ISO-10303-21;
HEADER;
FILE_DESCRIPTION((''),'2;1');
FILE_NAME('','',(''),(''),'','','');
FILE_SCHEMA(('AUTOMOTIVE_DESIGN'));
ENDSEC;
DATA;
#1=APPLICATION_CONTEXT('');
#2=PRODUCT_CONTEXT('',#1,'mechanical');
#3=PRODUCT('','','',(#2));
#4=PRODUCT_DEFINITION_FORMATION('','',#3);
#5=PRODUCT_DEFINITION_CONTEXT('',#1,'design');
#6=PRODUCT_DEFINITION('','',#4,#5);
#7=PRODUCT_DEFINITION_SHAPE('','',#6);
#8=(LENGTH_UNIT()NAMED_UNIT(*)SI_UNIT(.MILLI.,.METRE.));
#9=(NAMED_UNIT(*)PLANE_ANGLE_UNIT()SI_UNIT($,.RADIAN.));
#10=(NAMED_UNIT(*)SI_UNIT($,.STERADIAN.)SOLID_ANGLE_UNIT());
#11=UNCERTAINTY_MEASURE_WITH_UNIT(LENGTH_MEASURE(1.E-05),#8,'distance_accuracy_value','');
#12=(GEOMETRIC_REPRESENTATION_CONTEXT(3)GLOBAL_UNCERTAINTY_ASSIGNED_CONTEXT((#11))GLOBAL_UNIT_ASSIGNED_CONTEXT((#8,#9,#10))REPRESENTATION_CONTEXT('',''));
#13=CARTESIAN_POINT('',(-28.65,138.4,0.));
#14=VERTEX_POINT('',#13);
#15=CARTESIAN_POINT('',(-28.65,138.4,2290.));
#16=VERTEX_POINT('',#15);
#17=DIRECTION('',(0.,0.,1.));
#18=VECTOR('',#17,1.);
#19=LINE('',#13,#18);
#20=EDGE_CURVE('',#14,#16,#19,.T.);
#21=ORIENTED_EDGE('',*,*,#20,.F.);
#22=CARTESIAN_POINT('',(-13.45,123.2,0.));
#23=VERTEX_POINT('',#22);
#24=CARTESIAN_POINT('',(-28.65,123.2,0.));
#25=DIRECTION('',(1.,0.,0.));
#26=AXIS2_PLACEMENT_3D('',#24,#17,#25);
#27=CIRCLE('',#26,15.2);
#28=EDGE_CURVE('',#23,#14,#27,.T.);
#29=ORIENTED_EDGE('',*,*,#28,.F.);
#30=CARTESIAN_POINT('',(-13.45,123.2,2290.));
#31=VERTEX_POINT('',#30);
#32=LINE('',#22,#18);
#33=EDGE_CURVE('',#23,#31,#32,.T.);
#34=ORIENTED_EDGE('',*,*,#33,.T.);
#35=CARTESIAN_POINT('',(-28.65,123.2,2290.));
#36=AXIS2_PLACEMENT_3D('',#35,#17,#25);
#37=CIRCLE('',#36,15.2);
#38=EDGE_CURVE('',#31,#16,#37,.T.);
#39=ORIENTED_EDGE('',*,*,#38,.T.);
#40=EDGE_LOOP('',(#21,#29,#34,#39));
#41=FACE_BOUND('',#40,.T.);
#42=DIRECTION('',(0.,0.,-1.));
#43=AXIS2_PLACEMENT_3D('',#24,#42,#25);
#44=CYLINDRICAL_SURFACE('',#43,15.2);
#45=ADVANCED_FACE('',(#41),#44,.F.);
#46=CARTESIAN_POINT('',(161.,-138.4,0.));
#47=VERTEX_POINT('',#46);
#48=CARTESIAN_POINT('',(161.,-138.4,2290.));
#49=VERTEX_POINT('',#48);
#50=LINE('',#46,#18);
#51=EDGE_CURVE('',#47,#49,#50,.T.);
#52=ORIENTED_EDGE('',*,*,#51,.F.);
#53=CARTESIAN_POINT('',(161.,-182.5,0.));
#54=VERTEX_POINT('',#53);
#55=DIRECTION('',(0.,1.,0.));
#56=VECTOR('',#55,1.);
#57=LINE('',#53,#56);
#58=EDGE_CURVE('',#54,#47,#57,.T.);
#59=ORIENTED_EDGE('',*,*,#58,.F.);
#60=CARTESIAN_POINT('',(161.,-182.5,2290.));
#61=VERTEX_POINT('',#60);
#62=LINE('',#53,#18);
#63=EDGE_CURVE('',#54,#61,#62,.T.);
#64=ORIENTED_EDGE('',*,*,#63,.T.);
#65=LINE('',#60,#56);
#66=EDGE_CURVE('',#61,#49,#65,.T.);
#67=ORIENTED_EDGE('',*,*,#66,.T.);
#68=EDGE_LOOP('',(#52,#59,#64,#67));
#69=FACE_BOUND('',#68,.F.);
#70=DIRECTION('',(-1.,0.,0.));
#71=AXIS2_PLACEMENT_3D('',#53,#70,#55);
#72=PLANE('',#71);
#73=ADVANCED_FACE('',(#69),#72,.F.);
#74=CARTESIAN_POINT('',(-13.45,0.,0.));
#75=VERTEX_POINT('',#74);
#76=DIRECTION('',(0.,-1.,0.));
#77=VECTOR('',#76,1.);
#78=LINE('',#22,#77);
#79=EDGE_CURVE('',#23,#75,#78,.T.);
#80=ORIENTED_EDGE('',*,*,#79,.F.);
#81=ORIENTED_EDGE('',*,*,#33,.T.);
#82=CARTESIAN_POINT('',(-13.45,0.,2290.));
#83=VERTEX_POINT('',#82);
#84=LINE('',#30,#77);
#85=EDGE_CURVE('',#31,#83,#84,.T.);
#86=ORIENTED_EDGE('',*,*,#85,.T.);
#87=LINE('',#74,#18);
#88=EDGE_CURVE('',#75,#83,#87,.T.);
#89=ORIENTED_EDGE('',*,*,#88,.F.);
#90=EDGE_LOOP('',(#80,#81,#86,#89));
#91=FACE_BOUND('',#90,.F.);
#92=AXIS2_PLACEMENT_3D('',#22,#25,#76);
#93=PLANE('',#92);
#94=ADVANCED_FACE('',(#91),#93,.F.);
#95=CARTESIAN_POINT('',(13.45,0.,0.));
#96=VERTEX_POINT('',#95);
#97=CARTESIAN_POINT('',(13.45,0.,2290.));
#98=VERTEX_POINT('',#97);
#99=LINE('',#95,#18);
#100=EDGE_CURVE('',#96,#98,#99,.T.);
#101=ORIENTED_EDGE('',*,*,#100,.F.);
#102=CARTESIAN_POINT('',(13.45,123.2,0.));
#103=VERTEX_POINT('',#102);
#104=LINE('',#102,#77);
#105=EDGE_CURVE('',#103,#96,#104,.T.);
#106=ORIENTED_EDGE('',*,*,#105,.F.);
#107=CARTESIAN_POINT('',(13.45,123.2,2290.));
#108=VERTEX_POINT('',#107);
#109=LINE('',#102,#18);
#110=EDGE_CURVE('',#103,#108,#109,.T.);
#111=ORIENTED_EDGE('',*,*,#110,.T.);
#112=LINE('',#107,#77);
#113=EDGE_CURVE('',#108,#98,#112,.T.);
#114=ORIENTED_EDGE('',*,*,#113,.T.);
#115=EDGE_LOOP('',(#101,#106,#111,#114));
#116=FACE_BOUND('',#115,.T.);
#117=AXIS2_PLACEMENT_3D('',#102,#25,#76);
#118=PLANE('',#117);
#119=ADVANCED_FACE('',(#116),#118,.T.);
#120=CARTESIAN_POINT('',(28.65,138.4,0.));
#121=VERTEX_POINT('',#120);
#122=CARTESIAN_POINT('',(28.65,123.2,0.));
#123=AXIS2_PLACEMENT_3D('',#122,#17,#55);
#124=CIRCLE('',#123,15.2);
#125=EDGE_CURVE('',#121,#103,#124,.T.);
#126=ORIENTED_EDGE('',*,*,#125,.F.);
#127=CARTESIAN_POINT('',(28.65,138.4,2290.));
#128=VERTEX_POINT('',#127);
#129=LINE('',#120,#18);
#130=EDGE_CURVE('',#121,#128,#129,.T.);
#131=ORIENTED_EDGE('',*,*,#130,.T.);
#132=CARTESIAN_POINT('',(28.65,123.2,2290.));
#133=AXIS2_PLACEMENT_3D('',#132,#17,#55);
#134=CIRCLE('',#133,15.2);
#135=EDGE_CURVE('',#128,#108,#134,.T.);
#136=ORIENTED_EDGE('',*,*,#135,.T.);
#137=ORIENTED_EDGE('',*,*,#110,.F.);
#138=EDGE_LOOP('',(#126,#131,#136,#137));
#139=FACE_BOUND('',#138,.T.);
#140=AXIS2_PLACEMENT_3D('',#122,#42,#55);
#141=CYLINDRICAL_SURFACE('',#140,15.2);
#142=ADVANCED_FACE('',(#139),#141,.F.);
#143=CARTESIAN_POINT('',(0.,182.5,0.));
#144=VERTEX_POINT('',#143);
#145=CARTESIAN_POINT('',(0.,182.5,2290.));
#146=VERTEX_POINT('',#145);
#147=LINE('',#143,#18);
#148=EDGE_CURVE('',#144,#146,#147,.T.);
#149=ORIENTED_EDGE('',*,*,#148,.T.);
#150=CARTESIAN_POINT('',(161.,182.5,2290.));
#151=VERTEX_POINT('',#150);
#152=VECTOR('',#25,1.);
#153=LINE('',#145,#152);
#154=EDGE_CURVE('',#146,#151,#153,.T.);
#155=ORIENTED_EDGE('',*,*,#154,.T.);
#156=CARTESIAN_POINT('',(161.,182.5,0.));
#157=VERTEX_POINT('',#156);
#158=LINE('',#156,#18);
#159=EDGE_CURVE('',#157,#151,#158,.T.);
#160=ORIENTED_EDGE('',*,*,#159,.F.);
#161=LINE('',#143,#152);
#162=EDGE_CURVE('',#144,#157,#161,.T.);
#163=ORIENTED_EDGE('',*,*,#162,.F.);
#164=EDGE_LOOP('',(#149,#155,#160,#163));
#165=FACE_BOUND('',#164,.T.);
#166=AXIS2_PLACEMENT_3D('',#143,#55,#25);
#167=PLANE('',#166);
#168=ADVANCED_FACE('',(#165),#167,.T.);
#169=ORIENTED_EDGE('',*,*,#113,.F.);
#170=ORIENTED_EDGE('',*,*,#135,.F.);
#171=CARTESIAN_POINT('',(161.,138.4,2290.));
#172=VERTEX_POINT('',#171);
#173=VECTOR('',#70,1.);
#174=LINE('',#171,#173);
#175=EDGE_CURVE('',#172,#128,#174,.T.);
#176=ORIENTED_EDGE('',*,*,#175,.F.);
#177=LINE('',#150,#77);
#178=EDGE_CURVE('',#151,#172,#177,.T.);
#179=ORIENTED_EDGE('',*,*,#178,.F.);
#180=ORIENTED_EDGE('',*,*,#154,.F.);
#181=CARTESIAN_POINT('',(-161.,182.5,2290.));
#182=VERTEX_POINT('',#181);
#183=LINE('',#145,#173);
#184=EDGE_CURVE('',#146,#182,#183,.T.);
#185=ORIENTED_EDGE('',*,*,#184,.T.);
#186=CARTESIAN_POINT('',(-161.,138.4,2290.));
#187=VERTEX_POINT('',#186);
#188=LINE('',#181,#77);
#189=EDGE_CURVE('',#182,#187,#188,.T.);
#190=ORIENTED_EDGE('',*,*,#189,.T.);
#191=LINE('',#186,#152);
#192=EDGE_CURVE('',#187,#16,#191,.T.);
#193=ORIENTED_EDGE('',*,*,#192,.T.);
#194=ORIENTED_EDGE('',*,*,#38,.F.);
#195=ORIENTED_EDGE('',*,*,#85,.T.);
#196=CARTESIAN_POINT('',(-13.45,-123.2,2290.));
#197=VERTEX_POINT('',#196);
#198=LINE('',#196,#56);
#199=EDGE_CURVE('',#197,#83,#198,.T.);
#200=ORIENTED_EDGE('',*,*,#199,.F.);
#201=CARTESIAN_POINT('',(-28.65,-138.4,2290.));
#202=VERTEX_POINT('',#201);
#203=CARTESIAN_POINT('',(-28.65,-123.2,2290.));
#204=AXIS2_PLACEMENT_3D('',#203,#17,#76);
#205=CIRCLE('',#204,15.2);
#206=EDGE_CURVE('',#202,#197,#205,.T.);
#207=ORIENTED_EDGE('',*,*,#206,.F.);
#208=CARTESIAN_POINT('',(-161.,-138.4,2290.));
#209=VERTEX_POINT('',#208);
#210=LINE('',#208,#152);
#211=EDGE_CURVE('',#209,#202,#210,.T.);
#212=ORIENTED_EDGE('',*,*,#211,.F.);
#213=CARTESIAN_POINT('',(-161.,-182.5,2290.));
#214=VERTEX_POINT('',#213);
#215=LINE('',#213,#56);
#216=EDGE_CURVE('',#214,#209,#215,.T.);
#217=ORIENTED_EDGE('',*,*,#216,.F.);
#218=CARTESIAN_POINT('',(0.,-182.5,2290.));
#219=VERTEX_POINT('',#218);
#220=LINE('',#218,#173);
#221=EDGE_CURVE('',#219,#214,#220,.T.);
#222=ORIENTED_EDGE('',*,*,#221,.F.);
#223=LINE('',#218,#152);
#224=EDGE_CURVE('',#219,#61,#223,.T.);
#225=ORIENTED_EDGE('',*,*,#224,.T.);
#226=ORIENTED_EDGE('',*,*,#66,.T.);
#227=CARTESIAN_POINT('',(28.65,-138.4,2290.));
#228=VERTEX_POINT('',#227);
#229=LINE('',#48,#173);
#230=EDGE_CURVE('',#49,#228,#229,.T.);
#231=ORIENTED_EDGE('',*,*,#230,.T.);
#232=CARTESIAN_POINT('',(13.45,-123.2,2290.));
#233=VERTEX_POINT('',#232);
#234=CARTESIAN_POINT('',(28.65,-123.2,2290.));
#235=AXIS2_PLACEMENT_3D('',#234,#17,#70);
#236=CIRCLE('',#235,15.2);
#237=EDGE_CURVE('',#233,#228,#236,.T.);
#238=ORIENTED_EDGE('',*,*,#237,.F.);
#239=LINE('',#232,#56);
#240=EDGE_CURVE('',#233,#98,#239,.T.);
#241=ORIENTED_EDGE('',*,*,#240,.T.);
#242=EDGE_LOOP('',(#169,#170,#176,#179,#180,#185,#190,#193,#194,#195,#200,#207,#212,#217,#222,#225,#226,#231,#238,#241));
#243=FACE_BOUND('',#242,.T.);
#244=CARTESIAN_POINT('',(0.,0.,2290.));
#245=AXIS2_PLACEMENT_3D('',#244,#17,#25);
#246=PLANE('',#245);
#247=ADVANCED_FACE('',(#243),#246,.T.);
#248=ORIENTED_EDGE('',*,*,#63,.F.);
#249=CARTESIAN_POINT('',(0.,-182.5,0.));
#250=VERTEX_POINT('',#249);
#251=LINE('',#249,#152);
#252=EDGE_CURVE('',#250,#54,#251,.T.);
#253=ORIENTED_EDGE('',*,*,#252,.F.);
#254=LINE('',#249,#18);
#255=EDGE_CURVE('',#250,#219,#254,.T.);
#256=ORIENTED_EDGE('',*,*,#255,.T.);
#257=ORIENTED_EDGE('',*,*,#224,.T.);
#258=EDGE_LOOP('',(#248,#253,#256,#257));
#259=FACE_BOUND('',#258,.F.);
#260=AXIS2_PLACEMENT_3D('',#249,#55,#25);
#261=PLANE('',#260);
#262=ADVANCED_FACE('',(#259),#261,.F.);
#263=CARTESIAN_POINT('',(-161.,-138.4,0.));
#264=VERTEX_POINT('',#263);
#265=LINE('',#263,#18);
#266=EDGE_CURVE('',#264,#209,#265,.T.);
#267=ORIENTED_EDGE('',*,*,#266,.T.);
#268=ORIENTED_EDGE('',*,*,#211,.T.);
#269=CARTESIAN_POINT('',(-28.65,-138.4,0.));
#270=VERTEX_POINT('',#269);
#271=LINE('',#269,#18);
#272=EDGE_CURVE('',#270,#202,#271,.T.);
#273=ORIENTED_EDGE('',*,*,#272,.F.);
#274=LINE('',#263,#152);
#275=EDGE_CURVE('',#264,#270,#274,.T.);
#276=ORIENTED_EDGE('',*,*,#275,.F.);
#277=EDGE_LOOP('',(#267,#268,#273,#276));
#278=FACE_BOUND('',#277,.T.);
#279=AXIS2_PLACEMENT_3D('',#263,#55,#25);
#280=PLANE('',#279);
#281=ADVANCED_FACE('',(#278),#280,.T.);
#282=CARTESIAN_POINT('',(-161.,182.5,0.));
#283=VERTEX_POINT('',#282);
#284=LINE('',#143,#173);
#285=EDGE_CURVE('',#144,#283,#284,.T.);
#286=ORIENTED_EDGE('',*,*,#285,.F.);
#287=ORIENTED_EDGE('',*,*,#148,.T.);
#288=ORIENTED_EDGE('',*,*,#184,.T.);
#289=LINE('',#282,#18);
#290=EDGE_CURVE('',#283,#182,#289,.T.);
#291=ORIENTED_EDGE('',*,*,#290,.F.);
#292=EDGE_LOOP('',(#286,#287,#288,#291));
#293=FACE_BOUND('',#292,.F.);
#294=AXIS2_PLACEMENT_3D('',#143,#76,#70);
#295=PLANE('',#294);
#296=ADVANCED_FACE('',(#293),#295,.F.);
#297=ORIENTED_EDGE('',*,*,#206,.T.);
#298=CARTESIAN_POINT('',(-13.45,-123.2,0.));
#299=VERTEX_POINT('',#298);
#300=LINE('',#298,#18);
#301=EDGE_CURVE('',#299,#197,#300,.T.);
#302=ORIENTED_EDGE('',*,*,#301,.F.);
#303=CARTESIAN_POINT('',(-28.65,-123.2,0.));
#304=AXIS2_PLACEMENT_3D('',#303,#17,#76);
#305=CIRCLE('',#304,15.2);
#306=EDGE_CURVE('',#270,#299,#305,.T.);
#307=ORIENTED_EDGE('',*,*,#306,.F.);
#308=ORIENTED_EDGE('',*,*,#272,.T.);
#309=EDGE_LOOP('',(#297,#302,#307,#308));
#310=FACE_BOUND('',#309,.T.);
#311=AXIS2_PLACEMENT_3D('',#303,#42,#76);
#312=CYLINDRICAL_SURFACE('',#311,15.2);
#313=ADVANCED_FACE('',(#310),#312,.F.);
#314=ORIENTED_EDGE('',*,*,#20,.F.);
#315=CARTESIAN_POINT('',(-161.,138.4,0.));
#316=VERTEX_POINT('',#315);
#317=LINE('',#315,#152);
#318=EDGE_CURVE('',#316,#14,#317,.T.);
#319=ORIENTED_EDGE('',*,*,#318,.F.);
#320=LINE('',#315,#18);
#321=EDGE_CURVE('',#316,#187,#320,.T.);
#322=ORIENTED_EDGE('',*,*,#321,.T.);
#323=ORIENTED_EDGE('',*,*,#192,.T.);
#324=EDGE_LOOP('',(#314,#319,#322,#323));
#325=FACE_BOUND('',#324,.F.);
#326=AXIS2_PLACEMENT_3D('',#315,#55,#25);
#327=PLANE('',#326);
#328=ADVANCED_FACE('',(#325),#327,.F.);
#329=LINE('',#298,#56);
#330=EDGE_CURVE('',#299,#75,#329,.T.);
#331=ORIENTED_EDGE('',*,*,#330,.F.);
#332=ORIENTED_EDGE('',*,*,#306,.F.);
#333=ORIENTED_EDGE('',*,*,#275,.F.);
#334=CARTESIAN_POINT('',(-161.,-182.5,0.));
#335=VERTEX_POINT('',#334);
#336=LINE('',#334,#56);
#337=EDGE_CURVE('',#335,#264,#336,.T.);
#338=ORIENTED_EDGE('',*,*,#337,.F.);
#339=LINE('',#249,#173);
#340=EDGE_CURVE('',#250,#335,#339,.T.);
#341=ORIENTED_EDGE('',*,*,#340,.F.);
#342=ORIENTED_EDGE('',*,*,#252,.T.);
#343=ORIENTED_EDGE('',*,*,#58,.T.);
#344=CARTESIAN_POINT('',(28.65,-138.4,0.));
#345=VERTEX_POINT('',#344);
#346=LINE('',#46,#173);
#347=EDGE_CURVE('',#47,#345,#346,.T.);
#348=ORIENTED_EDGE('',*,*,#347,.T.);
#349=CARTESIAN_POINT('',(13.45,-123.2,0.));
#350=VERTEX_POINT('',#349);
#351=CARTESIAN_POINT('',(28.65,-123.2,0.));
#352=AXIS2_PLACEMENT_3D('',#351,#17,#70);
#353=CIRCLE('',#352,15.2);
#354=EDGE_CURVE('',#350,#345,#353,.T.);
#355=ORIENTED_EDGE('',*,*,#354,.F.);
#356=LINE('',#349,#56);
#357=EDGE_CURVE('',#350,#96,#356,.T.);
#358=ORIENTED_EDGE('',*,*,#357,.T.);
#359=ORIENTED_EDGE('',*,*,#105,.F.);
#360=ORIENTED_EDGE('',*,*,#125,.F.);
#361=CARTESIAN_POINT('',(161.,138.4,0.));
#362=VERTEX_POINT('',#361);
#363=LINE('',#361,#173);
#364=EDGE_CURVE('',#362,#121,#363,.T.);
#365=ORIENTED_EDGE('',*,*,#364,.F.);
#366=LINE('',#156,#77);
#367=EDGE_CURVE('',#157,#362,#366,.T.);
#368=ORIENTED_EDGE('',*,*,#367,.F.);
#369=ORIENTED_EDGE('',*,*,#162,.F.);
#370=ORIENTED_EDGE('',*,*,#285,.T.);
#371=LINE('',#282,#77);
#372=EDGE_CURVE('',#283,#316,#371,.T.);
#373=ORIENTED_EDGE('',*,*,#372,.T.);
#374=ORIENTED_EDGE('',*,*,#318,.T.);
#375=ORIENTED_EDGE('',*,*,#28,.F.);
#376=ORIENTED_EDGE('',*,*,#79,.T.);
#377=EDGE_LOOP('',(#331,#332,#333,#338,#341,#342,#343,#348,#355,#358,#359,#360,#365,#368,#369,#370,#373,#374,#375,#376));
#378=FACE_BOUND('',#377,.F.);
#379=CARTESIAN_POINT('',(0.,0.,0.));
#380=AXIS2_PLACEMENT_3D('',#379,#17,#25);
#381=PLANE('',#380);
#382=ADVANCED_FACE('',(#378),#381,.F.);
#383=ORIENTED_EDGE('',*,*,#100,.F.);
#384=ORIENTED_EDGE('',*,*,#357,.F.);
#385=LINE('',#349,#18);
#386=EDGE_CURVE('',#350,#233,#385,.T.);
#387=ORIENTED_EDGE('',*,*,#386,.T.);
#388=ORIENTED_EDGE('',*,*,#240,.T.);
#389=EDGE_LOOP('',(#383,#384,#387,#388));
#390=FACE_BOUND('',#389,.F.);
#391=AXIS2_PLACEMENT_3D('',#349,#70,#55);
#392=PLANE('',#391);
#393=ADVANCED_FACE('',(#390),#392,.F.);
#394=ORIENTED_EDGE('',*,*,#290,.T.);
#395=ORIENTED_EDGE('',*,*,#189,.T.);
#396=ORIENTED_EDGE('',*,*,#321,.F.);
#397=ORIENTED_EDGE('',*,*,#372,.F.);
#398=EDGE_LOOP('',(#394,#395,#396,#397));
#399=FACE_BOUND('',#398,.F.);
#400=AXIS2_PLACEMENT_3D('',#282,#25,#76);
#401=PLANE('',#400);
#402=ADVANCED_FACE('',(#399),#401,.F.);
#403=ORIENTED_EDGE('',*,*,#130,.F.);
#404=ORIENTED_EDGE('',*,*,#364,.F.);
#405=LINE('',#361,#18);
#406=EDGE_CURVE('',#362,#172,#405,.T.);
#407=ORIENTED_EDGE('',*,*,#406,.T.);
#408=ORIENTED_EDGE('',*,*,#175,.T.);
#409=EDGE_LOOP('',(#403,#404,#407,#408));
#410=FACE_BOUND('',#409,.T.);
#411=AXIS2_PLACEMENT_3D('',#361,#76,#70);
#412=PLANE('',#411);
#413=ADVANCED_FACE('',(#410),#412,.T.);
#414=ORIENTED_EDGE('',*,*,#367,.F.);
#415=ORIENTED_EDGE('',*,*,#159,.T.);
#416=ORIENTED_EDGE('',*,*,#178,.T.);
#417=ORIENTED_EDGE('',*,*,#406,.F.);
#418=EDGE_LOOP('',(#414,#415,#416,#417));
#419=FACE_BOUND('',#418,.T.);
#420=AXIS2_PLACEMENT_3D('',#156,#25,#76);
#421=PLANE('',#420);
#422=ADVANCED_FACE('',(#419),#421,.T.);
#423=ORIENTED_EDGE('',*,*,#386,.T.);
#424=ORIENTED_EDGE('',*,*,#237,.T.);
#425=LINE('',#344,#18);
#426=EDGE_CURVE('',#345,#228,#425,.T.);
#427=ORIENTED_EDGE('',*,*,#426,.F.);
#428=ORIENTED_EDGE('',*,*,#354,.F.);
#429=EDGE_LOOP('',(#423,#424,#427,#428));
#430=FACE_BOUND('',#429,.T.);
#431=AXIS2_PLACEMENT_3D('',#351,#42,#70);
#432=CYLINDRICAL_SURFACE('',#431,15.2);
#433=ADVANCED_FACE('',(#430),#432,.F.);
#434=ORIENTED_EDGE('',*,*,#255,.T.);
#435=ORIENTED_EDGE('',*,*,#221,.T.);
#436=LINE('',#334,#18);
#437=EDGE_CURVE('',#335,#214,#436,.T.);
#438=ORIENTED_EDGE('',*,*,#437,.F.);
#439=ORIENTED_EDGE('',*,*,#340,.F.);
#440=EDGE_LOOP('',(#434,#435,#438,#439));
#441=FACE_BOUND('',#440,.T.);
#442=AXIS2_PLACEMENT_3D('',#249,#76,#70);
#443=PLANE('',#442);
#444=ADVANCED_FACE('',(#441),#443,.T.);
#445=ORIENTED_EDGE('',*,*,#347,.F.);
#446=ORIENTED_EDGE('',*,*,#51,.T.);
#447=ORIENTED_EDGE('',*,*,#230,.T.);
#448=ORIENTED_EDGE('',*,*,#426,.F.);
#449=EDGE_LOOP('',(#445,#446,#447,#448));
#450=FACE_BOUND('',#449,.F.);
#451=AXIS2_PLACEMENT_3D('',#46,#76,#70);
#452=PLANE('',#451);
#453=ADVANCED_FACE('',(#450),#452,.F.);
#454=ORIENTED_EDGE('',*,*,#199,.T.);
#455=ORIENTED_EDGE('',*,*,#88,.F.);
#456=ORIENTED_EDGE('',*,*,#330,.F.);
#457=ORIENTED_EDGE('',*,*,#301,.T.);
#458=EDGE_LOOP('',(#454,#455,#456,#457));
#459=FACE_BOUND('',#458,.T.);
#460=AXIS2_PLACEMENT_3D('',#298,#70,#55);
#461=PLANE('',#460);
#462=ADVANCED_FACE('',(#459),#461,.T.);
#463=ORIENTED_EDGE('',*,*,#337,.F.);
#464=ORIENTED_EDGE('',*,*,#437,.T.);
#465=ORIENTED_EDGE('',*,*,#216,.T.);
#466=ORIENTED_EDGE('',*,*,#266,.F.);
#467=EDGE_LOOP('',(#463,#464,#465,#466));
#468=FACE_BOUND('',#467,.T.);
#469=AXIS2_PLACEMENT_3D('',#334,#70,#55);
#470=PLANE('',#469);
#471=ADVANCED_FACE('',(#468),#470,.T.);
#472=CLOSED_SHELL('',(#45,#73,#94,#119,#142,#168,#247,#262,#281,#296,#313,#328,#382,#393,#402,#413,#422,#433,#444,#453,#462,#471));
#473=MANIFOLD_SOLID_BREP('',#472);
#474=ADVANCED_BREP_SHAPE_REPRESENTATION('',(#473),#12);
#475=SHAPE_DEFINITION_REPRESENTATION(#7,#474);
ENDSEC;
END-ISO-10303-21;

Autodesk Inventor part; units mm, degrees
ref_plane "YZ Plane" through (0, 0, 0) normal (1, 0, 0) x (0, 1, 0)
ref_plane "Start plane" through (0, 0, 0) normal (0, 0, 1) x (1, 0, 0)
ref_plane "End plane" through (0, 0, 2290) normal (0, 0, 1) x (1, 0, 0)
sketch "Sketch" plane through (0, 0, 0) normal (0, 0, 1) x (1, 0, 0)
  line L0 (-161, -182.5) -> (-161, -138.4)
  line L1 (-161, -138.4) -> (-28.65, -138.4)
  line L2 (-13.45, -123.2) -> (-13.45, 0)
  line L3 (-13.45, 0) -> (0, 0) construction
  line L4 (0, 0) -> (0, -182.5) construction
  line L5 (0, -182.5) -> (-161, -182.5)
  line L6 (-60, 0) -> (80, 0) construction
  line L7 (0, -60) -> (0, 80) construction
  line L8 (161, -182.5) -> (161, -138.4)
  line L9 (161, -138.4) -> (28.65, -138.4)
  line L10 (13.45, -123.2) -> (13.45, 0)
  line L11 (13.45, 0) -> (0, 0) construction
  line L12 (0, -182.5) -> (161, -182.5)
  line L13 (-161, 182.5) -> (-161, 138.4)
  line L14 (-161, 138.4) -> (-28.65, 138.4)
  line L15 (-13.45, 123.2) -> (-13.45, 0)
  line L16 (0, 182.5) -> (-161, 182.5)
  line L17 (161, 182.5) -> (161, 138.4)
  line L18 (161, 138.4) -> (28.65, 138.4)
  line L19 (0, 182.5) -> (161, 182.5)
  line L20 (13.45, 123.2) -> (13.45, 0)
  arc A0 (-13.45, 123.2) -> (-28.65, 138.4) centre (-28.65, 123.2) ccw
  arc A1 (28.65, 138.4) -> (13.45, 123.2) centre (28.65, 123.2) ccw
  arc A2 (13.45, -123.2) -> (28.65, -138.4) centre (28.65, -123.2) ccw
  arc A3 (-28.65, -138.4) -> (-13.45, -123.2) centre (-28.65, -123.2) ccw
  line L21 (0, 108) -> (0, -88) construction
  line L22 (-88, 0) -> (108, 0) construction
  point P0 (-13.45, -138.4)
  point P1 (13.45, -138.4)
  point P2 (-13.45, 138.4)
  point P3 (13.45, 138.4)
  dimension "d1" = 182.5
  dimension "d2" = 44.1
  dimension "d3" = 161
  dimension "d4" = 13.45
  dimension "d10" = 15.2
extrude "Body" add sketch "Sketch" along normal up to surface (2290 mm away) from surface at 0
sketch "Sketch4" plane through (0, 0, 0) normal (0, 0, 1) x (1, 0, 0)
  line L0 (0, 0) -> (10, 0)
ref_plane "Work Plane3" through (0, 0, 0) normal (0, -1, 0) x (1, 0, 0)
sketch "Sketch5" plane through (0, 0, 0) normal (0, -1, 0) x (1, 0, 0)
  line L0 (-2, 0) -> (12, 0) projected
  line L1 (-2, 2290) -> (12, 2290) projected
  dimension "d14" = 2290
equation "\"d1\" = 0.5 * G_H"
equation "\"d2\" = G_T1"
equation "\"d3\" = 0.5 * G_W"
equation "\"d4\" = 0.5 * G_T"
equation "\"d10\" = G_IR"
equation "\"d5\" = G_L"
equation "\"G_W\" = 322"
equation "\"G_H\" = 365"
equation "\"G_T\" = 26.9"
equation "\"G_T1\" = 44.1"
equation "\"G_IR\" = 15.2"
equation "\"G_L\" = d14"
equation "\"G_OFFSET_START\" = 0"
equation "\"G_OFFSET_END\" = 0"
properties part number "AS 3679 - 310 UC - 283 - 2290" material "Steel, Mild"
